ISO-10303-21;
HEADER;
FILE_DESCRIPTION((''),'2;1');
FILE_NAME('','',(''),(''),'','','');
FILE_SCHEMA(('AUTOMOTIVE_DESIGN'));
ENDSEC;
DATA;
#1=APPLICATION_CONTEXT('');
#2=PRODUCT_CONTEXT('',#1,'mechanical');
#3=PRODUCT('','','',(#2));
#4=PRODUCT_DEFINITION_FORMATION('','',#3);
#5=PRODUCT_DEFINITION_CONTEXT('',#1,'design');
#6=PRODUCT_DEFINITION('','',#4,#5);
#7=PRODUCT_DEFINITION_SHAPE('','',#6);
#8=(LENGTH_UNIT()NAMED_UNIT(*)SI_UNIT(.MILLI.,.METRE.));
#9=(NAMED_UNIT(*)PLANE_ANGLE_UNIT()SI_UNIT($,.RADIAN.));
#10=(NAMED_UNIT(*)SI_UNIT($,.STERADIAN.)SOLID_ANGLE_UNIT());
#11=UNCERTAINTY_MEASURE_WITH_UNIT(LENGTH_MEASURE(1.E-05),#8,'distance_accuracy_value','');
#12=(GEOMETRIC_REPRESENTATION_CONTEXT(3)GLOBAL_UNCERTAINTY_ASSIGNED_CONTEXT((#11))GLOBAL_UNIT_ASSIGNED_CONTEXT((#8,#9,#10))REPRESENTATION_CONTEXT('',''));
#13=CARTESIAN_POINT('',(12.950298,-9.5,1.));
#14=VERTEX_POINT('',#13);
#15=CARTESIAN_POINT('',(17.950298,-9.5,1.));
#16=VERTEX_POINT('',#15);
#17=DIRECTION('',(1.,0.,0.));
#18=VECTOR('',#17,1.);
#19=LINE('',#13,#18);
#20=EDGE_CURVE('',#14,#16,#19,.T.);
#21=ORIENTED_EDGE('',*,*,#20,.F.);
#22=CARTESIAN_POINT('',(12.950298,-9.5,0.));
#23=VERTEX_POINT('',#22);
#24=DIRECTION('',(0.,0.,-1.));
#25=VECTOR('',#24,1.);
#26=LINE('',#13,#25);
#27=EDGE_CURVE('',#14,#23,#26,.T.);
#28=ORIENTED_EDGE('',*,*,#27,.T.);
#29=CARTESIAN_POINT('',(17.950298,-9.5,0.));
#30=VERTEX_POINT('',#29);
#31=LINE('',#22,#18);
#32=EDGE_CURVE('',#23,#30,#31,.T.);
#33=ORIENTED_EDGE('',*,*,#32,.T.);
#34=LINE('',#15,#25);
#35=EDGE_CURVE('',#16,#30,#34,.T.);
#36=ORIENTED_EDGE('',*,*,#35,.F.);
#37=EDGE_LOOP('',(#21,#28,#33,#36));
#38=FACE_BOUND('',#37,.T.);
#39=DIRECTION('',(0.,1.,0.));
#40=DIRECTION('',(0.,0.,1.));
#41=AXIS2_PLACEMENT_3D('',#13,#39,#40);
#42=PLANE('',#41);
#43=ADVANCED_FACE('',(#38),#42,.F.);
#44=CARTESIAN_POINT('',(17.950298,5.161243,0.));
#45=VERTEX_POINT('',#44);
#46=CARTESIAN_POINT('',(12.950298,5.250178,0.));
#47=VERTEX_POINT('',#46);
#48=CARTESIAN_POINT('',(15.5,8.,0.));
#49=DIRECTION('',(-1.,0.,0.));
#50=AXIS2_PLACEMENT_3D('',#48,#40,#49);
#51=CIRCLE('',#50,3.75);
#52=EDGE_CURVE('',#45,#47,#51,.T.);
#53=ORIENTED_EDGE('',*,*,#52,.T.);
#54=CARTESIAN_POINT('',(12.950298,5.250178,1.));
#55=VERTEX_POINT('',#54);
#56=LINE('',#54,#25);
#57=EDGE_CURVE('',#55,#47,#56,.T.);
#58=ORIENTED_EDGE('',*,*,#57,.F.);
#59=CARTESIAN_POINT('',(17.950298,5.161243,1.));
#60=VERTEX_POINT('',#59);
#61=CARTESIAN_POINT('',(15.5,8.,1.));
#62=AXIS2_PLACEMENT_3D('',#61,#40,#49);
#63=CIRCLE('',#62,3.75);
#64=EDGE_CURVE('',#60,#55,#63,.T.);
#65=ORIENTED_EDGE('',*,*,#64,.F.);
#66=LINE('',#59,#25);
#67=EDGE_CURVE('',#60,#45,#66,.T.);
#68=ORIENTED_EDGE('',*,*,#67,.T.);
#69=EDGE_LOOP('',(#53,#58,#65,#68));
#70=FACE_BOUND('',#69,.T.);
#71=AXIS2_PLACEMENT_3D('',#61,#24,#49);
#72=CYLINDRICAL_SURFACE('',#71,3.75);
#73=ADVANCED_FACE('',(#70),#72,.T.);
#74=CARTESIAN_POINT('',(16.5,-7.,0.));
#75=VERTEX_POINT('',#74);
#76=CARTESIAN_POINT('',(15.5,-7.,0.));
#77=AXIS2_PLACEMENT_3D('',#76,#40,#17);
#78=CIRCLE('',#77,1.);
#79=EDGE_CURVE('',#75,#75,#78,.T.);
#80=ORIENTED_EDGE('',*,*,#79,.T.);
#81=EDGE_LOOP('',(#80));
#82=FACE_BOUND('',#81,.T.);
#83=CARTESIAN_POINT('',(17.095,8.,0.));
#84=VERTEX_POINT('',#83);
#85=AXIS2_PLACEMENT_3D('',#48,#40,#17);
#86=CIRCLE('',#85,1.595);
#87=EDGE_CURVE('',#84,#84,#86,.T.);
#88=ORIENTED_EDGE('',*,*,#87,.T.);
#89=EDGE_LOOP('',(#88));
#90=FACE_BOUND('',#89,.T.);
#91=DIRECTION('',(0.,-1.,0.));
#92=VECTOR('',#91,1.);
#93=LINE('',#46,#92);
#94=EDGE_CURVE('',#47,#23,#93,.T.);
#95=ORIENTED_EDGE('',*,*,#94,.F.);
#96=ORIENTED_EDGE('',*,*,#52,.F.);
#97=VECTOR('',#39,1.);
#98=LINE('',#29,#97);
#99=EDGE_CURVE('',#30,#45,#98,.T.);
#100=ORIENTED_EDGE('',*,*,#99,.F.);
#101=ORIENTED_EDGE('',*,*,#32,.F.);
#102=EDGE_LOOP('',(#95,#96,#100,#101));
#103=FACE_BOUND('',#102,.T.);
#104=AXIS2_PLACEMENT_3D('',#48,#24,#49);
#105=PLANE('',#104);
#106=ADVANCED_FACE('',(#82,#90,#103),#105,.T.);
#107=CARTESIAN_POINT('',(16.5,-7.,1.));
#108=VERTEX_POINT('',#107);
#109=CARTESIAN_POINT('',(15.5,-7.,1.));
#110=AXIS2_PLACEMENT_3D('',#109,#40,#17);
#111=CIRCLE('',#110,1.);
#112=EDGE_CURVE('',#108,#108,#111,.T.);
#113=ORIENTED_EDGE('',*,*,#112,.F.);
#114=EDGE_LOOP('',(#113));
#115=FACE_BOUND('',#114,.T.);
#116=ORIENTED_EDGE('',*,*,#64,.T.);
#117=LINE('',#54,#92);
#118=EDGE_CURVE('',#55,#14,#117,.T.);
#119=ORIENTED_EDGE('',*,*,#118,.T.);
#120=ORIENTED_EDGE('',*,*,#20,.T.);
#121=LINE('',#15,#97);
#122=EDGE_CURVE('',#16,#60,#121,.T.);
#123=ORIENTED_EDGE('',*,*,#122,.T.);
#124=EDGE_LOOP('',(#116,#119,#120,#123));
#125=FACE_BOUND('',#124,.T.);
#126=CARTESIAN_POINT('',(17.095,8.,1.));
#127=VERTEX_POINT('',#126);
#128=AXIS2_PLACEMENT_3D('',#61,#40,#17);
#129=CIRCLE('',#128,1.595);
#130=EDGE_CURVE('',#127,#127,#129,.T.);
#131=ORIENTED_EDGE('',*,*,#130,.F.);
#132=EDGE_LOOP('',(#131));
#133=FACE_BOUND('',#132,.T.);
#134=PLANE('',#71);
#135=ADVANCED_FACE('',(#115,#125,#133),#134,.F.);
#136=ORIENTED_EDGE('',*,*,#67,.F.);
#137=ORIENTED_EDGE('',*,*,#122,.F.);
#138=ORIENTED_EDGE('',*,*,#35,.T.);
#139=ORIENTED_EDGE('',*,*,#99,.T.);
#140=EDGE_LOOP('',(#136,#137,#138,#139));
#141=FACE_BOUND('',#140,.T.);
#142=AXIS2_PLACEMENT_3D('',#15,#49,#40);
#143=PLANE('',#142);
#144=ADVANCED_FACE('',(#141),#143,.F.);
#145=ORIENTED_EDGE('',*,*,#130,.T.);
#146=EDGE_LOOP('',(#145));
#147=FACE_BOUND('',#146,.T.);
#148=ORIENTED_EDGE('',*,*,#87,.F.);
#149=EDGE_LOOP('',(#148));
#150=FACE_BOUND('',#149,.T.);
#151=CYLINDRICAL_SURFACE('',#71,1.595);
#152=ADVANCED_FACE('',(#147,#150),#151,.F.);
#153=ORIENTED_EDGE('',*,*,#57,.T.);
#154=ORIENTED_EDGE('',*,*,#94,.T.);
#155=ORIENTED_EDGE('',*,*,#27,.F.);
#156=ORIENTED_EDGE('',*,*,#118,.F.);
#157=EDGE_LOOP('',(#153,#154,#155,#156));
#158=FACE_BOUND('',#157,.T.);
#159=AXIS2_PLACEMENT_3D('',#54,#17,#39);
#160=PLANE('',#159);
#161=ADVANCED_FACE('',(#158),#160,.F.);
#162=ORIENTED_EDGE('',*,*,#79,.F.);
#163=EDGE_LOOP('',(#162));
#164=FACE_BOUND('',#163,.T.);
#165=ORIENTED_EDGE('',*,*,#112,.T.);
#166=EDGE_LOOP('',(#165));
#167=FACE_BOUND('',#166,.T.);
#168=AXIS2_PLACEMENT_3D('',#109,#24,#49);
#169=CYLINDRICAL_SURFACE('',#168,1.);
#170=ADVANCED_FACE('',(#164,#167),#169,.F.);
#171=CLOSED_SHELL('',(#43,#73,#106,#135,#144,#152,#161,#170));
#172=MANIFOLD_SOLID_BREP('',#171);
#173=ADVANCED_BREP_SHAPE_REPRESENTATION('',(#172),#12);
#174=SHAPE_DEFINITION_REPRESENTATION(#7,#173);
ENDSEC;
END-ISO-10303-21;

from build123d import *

# Parameters (mm, degrees)
SKETCH1_R           = 1.595
SKETCH1_R_2         = 1
BOSS_EXTRUDE1_DEPTH = 1


with BuildPart() as part:
    # Sketch1 → Boss-Extrude1 (new body)
    with BuildSketch(Plane.XY):
        with BuildLine():
            Line((12.950297731, 5.25017849), (12.950297731, -9.5))
            Line((12.950297731, -9.5), (17.950297731, -9.5))
            Line((17.950297731, -9.5), (17.950297731, 5.161243048))
            ThreePointArc((17.950297731, 5.161243048), (15.566691032, 11.749406927), (12.950297731, 5.25017849))
        make_face()
        with Locations((15.5, 8)):
            Circle(SKETCH1_R, mode=Mode.SUBTRACT)
        with Locations((15.5, -7)):
            Circle(SKETCH1_R_2, mode=Mode.SUBTRACT)
    extrude(amount=BOSS_EXTRUDE1_DEPTH)


solid = part.part
